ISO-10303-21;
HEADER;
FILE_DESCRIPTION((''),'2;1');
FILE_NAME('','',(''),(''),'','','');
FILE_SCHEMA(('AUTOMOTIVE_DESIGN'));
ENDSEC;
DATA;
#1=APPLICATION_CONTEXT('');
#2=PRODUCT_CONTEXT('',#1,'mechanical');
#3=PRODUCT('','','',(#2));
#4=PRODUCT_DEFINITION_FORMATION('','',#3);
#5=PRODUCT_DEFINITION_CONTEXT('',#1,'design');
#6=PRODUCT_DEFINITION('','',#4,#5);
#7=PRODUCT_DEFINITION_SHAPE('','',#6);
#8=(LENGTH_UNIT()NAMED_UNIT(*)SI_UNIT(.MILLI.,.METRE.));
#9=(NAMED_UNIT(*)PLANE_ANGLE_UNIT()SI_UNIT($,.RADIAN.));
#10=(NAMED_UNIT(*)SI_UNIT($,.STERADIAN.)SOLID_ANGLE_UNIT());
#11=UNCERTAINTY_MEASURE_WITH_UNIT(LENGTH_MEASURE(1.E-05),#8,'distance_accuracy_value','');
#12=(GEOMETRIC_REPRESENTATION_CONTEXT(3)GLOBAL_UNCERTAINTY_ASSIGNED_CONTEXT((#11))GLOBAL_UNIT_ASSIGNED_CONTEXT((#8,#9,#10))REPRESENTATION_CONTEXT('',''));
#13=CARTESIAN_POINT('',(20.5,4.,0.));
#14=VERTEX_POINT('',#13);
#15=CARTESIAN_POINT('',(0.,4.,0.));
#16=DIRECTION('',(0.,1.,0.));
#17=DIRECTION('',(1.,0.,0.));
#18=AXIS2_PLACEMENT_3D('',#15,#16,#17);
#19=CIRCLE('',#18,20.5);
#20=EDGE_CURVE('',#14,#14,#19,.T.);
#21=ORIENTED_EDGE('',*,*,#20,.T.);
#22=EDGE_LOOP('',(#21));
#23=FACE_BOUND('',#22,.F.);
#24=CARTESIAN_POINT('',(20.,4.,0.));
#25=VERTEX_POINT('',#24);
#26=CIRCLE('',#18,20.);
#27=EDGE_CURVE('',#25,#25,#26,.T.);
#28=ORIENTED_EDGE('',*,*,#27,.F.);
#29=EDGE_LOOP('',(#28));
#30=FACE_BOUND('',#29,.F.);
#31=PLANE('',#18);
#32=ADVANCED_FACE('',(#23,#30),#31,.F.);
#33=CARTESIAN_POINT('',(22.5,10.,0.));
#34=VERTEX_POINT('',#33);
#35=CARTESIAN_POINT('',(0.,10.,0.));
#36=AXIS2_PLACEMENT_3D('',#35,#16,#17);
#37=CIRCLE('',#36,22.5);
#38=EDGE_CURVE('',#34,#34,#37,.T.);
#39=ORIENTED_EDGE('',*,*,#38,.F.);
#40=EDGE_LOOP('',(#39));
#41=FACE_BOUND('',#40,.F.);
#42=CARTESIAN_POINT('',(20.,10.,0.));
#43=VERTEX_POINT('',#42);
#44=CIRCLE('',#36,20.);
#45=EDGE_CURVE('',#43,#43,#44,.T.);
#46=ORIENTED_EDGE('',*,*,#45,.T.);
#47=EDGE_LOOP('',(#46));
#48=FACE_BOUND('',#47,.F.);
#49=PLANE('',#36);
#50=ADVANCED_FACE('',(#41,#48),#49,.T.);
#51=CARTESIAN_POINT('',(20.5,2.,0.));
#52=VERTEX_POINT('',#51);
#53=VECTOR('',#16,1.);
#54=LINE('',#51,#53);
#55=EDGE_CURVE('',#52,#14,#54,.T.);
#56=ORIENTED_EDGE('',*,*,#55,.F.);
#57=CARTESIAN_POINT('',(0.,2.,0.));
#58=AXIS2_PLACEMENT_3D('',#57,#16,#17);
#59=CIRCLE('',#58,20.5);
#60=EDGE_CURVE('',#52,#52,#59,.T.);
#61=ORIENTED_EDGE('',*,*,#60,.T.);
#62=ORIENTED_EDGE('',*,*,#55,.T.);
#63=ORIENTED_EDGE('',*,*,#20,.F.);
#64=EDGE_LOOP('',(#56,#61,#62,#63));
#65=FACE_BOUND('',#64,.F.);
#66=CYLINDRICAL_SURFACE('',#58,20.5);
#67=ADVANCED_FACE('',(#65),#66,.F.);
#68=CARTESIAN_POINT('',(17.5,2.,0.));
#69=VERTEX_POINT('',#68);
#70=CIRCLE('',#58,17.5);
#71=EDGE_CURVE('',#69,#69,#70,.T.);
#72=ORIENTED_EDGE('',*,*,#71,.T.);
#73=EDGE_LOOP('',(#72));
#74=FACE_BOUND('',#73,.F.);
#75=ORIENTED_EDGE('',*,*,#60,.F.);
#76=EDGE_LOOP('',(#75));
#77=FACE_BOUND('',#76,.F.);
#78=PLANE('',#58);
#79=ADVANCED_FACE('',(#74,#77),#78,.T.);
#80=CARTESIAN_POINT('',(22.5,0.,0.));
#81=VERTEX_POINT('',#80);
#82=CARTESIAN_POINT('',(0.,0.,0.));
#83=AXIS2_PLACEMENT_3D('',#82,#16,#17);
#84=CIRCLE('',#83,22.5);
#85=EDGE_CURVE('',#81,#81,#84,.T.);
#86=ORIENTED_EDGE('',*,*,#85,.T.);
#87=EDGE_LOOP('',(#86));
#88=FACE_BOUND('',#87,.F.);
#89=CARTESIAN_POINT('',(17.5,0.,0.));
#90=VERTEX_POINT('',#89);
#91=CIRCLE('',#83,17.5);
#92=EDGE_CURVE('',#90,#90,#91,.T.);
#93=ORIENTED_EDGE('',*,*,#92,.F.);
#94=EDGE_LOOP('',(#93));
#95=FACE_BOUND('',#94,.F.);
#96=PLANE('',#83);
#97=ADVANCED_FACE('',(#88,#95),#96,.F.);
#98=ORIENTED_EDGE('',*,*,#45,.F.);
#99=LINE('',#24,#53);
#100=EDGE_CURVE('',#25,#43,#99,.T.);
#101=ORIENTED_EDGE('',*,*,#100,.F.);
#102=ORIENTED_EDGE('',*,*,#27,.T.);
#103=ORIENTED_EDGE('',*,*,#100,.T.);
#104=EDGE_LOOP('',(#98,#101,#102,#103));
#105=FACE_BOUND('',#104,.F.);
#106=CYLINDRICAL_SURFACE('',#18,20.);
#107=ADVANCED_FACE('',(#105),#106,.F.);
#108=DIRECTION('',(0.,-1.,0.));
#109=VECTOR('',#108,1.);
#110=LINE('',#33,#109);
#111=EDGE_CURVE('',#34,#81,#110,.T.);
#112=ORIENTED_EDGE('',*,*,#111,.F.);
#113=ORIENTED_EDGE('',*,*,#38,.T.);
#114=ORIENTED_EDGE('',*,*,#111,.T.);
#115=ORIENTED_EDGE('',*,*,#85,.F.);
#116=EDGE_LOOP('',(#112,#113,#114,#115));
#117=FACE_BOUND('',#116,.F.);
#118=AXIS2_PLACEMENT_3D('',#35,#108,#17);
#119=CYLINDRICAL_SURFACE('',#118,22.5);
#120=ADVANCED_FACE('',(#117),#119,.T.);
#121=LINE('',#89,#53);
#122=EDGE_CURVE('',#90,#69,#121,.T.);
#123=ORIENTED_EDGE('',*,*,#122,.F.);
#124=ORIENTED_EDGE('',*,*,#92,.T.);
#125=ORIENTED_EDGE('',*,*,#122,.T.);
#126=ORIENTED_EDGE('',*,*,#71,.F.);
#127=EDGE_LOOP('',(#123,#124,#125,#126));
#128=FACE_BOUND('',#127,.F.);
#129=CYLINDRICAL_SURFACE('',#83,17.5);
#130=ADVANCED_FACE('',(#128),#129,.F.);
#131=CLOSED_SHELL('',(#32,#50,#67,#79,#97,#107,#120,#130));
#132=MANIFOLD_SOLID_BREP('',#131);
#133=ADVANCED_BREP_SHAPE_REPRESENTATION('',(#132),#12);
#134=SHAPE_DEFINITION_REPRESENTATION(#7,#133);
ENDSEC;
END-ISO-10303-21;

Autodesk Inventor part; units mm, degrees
ref_plane "YZ Plane" through (0, 0, 0) normal (1, 0, 0) x (0, 1, 0)
ref_plane "XZ Plane" through (0, 0, 0) normal (0, 1, 0) x (-1, 0, 0)
ref_plane "XY Plane" through (0, 0, 0) normal (0, 0, 1) x (1, 0, 0)
sketch "Sketch1" plane through (0, 0, 0) normal (0, 0, 1) x (1, 0, 0)
  line L0 (0, 0) -> (0, 8.5511) construction
  line L1 (17.5, 0) -> (17.5, 2)
  line L2 (17.5, 2) -> (20.5, 2)
  line L3 (20.5, 2) -> (20.5, 4)
  line L4 (20.5, 4) -> (20, 4)
  line L5 (20, 4) -> (20, 10)
  line L6 (20, 10) -> (22.5, 10)
  line L7 (22.5, 10) -> (22.5, 0)
  line L8 (22.5, 0) -> (17.5, 0)
  dimension "d0" = 35
  dimension "d1" = 2
  dimension "d2" = 2
  dimension "d3" = 40
  dimension "d4" = 0.5
  dimension "d5" = 6
  dimension "d6" = 45
revolve "Revolution1" add sketch "Sketch1" angle 360 about axis through (0, 0, 0) along (0, 1, 0)
thread "Thread1" size "M40x1.5" class "6H" standard "ANSI Metric M Profile" length 10
properties part number "004" material "Brass, Soft Yellow"
